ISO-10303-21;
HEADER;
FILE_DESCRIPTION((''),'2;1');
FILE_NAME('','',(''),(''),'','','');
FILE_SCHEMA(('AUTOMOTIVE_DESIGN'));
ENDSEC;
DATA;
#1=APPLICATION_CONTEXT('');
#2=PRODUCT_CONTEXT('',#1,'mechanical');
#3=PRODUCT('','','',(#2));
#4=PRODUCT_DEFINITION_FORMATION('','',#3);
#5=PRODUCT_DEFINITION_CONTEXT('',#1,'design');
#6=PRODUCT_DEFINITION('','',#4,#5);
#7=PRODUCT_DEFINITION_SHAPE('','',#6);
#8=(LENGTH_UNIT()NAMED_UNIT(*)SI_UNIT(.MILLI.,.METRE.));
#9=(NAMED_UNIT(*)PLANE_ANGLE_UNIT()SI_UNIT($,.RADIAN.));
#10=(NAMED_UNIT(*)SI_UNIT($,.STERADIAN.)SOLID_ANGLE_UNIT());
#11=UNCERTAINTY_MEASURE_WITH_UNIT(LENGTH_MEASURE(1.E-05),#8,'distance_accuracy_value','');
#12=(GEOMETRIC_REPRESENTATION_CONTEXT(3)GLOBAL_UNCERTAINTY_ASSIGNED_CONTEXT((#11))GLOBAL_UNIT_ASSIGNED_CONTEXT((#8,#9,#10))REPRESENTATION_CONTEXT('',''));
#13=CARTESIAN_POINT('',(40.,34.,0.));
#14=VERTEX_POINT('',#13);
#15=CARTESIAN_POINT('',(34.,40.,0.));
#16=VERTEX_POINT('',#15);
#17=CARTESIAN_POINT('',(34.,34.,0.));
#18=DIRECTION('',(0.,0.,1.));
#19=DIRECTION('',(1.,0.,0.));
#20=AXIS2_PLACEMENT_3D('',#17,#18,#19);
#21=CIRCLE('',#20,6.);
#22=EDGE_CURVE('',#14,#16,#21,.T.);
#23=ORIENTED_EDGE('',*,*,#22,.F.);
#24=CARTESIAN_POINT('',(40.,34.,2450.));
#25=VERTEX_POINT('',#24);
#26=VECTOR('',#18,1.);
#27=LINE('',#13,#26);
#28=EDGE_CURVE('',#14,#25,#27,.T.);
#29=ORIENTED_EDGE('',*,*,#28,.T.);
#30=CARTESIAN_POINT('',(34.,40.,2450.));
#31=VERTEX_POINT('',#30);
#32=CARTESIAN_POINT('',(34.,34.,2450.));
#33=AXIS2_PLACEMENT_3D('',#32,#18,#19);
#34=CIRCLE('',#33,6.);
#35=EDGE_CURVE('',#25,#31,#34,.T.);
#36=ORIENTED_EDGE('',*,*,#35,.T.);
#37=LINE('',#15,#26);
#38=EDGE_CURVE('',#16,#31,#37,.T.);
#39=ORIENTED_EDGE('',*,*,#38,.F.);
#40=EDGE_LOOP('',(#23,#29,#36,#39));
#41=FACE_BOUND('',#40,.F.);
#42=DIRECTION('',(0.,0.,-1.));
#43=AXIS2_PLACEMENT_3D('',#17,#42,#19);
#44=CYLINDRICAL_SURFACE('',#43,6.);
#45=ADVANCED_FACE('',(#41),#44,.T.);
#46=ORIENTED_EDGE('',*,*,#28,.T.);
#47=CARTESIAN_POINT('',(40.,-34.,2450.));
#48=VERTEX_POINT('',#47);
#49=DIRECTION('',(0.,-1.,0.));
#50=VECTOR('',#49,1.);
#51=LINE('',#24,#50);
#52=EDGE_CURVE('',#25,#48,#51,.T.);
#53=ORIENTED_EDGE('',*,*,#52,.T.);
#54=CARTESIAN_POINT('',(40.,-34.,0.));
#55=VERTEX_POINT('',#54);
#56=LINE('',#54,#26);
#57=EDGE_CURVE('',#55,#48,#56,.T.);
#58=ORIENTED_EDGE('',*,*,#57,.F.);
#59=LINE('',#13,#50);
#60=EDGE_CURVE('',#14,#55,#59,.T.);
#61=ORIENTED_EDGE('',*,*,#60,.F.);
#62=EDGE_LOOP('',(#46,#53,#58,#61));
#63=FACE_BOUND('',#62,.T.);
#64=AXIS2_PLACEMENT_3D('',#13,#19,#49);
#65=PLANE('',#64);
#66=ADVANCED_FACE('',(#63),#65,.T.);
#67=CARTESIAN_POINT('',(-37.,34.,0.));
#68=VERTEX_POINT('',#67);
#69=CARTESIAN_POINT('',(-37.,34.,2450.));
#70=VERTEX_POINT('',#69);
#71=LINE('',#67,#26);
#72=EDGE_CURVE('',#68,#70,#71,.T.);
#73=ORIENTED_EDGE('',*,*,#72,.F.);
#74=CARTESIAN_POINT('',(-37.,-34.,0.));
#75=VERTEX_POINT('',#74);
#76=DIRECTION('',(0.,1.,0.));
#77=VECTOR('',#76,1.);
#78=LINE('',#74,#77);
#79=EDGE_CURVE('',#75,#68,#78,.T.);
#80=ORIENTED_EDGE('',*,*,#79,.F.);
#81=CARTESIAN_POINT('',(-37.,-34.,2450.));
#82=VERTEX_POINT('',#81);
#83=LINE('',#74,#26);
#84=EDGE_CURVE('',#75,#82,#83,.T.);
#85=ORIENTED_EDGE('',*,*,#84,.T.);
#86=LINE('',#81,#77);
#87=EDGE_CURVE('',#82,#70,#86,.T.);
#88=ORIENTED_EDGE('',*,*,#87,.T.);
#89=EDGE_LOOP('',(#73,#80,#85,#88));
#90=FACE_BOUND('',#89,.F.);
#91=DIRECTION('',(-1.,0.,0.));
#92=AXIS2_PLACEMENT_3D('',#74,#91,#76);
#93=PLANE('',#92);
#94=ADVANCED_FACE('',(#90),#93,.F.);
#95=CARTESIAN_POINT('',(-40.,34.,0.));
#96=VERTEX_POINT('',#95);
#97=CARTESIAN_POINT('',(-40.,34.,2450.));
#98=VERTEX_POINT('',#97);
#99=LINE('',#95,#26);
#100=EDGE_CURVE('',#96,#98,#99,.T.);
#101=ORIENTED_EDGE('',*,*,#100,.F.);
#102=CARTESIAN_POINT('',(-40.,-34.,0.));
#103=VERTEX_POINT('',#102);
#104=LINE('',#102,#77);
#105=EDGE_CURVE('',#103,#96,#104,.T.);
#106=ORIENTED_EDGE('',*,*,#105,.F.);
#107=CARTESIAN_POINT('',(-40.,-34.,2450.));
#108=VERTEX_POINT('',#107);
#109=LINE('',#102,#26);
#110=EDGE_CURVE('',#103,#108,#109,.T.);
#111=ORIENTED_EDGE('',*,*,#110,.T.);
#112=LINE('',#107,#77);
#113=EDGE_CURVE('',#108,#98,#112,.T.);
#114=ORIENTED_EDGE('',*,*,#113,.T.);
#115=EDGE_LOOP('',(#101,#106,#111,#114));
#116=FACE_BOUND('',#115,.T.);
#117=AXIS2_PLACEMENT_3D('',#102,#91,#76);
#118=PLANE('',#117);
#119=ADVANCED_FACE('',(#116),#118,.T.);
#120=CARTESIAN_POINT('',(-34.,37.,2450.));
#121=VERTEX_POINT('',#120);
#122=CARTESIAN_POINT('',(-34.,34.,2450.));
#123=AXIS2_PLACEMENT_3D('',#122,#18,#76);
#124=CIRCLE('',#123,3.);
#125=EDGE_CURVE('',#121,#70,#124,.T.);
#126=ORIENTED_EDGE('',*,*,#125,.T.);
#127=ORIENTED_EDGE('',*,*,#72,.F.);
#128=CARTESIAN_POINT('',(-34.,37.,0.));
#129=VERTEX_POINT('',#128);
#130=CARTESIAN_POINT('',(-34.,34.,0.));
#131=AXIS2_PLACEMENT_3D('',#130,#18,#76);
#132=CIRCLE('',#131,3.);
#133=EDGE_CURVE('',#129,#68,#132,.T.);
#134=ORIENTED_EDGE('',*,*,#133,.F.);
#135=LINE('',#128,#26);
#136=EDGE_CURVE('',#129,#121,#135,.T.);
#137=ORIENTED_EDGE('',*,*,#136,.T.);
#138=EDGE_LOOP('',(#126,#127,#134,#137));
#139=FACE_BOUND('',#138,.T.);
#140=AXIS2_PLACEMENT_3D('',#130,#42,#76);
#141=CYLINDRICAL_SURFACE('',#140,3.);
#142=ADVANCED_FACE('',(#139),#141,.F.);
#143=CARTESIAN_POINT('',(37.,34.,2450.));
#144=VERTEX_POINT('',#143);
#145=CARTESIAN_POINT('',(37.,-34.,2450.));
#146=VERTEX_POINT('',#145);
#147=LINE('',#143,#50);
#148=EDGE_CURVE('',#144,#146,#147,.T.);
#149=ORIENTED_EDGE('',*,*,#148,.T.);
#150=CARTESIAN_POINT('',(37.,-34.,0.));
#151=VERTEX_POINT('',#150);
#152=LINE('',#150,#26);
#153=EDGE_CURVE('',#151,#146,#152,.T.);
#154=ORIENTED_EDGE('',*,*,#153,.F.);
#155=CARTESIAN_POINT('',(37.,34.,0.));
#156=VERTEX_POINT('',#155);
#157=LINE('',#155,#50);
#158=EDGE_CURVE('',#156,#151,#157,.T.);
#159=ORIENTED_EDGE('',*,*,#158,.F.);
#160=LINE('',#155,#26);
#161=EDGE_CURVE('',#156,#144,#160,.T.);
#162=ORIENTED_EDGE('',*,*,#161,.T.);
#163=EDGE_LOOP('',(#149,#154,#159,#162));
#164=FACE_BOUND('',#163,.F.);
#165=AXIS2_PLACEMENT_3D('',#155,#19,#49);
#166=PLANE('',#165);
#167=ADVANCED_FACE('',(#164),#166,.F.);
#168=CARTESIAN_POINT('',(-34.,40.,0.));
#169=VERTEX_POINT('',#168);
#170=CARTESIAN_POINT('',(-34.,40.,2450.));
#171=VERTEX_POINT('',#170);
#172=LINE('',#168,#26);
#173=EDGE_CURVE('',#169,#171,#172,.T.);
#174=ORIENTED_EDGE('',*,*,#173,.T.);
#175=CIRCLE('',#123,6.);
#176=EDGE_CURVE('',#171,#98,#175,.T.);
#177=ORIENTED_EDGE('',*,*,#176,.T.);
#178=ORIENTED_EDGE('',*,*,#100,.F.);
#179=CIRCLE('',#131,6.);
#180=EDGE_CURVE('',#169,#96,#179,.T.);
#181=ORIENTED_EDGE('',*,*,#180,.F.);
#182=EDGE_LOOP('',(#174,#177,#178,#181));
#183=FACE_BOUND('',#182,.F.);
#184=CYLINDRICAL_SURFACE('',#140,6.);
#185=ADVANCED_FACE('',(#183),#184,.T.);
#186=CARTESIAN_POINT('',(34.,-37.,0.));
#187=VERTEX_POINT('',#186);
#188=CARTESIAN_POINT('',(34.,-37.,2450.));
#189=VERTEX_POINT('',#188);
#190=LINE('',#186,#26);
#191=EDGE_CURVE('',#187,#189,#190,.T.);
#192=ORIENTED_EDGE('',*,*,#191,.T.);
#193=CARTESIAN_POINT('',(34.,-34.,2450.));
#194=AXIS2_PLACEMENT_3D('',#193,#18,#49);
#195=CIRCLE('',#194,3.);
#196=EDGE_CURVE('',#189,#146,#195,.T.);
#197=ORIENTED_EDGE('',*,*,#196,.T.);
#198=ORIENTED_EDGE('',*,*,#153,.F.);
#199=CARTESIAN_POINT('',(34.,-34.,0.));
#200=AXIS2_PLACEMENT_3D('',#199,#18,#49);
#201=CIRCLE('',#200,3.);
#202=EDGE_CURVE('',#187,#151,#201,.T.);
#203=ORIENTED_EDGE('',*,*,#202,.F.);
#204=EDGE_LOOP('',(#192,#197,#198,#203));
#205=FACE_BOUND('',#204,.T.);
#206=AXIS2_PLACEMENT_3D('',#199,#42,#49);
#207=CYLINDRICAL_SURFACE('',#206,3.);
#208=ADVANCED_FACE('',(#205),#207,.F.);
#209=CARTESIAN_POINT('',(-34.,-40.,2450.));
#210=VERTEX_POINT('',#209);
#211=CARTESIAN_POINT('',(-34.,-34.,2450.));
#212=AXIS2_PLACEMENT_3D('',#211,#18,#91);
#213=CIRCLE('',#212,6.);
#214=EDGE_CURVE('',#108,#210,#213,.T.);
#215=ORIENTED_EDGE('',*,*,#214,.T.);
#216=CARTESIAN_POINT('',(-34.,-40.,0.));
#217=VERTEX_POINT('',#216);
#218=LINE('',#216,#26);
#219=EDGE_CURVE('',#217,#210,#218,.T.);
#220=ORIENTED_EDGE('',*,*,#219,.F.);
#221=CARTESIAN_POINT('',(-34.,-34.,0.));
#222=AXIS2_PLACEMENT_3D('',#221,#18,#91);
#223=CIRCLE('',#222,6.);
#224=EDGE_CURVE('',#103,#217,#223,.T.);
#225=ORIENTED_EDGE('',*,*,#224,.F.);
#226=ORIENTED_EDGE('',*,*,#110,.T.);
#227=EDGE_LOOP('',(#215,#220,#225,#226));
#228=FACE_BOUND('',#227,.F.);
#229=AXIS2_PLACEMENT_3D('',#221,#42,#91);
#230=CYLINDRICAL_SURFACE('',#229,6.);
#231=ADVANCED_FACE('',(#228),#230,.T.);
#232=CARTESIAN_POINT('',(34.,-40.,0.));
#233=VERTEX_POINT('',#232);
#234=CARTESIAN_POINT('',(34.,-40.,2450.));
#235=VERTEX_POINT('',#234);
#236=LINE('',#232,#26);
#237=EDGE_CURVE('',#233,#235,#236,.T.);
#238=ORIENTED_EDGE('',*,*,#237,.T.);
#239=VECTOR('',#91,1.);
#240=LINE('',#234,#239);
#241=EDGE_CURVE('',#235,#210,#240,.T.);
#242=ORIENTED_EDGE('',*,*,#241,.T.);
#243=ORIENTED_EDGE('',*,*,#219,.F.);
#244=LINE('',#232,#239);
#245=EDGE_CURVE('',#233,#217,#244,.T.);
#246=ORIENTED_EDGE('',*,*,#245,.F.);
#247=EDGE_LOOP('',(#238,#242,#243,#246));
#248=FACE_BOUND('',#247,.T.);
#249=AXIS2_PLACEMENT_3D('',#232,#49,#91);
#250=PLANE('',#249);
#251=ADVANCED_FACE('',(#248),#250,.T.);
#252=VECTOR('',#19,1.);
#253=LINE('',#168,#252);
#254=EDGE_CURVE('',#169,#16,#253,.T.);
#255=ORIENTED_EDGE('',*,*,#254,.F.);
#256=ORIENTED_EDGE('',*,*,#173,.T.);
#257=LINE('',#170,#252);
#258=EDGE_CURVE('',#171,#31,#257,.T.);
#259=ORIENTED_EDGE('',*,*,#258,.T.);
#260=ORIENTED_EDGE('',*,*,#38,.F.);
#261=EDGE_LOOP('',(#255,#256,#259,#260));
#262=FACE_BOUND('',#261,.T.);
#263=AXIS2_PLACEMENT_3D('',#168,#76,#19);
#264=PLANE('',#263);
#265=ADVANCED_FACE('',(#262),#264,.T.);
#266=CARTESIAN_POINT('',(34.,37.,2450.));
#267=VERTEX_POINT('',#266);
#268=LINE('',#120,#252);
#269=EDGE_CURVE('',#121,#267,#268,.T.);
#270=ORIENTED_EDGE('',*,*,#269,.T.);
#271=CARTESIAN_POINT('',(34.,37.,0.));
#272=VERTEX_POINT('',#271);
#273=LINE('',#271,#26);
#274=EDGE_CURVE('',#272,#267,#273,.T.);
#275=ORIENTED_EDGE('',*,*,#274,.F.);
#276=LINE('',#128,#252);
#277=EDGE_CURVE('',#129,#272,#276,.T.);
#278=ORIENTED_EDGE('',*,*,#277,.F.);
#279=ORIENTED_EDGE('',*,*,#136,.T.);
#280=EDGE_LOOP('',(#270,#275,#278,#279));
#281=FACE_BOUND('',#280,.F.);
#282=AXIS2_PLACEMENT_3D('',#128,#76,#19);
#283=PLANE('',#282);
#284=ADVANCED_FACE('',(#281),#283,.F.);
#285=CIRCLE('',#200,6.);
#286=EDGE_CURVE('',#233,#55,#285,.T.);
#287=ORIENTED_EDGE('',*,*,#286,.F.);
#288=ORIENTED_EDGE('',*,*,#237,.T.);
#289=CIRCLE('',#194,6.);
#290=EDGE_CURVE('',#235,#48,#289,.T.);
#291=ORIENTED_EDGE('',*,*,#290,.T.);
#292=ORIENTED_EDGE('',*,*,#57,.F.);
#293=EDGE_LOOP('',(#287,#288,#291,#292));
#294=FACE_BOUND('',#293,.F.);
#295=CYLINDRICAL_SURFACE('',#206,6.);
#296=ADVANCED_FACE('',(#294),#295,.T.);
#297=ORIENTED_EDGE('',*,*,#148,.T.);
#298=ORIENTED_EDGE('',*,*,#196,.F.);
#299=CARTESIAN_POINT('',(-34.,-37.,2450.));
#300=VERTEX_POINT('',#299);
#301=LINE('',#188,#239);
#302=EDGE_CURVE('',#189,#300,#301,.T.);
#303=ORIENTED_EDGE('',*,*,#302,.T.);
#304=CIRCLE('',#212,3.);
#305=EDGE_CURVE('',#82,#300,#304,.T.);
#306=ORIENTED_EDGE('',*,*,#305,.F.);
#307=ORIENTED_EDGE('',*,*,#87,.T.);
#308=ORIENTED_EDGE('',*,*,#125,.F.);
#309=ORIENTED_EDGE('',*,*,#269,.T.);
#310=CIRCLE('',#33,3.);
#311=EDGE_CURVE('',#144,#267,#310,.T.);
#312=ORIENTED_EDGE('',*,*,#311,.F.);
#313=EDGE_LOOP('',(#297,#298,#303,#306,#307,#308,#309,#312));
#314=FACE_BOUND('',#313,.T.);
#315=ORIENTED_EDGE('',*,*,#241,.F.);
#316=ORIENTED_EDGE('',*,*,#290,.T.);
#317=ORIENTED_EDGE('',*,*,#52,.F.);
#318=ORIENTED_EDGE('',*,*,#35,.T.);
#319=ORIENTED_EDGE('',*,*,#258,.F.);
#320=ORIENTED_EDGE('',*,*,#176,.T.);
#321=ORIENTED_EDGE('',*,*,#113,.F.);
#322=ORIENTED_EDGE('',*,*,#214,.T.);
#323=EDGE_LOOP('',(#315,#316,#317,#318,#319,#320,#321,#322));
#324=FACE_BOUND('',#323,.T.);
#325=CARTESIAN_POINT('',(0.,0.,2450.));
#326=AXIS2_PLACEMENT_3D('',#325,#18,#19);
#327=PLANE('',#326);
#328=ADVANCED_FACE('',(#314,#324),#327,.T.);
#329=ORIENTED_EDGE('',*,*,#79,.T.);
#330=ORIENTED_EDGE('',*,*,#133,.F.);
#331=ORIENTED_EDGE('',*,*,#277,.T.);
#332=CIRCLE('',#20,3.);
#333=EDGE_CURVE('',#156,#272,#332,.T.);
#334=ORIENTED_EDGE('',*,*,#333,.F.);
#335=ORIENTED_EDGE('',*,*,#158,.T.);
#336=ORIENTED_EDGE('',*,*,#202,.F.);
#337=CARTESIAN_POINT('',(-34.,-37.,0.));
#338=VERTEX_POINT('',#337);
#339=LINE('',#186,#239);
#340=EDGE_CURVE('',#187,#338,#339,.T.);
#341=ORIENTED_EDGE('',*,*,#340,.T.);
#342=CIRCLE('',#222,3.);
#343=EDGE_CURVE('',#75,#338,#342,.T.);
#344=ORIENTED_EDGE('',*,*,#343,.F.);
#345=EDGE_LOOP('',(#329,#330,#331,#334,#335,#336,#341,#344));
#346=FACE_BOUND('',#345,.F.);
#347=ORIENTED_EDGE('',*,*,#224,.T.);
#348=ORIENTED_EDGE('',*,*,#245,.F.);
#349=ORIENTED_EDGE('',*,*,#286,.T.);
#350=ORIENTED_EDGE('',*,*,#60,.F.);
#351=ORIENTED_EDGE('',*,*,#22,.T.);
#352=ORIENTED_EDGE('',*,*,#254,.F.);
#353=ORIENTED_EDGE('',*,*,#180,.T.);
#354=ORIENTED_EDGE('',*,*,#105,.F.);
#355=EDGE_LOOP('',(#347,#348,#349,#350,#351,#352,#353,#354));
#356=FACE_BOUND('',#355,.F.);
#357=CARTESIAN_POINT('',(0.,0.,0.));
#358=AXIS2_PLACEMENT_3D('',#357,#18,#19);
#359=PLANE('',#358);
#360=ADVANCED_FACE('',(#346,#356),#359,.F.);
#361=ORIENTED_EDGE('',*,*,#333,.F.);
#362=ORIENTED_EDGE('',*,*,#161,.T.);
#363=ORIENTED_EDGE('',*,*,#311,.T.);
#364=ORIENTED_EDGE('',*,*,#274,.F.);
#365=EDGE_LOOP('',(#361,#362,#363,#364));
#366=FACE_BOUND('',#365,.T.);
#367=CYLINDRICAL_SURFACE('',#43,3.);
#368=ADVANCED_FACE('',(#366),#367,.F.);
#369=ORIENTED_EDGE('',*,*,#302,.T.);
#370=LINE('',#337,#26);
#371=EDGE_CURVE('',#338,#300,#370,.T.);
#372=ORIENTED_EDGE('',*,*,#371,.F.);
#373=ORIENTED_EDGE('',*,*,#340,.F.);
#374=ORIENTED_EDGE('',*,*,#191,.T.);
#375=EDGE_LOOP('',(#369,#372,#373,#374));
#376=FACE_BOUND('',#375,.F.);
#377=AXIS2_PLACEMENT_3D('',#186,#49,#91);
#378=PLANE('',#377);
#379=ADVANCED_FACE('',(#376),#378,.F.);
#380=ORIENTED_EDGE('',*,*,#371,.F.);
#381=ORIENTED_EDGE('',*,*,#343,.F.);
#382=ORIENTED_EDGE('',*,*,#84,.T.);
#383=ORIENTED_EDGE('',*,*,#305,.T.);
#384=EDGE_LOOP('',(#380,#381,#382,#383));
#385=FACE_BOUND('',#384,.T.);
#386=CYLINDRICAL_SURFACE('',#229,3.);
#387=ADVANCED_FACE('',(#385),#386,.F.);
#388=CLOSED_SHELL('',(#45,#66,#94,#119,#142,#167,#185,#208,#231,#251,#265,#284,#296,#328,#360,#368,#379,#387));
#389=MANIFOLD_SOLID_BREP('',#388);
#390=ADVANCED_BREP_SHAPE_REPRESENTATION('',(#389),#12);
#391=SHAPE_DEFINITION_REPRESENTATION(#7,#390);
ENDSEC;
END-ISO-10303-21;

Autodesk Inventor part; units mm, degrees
ref_plane "YZ Plane" through (0, 0, 0) normal (1, 0, 0) x (0, 1, 0)
ref_plane "Start Plane" through (0, 0, 0) normal (0, 0, 1) x (1, 0, 0)
ref_plane "End Plane" through (0, 0, 2450) normal (0, 0, 1) x (1, 0, 0)
sketch "Sketch" plane through (0, 0, 0) normal (0, 0, 1) x (1, 0, 0)
  line L0 (-40, -34) -> (-40, 34)
  line L1 (-34, 40) -> (34, 40)
  line L2 (40, 34) -> (40, -34)
  line L3 (34, -40) -> (-34, -40)
  arc A0 (-40, -34) -> (-34, -40) centre (-34, -34) ccw
  arc A1 (40, 34) -> (34, 40) centre (34, 34) ccw
  arc A2 (-34, 40) -> (-40, 34) centre (-34, 34) ccw
  arc A3 (34, -40) -> (40, -34) centre (34, -34) ccw
  arc A4 (-34, 37) -> (-37, 34) centre (-34, 34) ccw
  line L4 (-34, 37) -> (34, 37)
  arc A5 (37, 34) -> (34, 37) centre (34, 34) ccw
  line L5 (37, 34) -> (37, -34)
  arc A6 (34, -37) -> (37, -34) centre (34, -34) ccw
  line L6 (34, -37) -> (-34, -37)
  arc A7 (-37, -34) -> (-34, -37) centre (-34, -34) ccw
  line L7 (-37, -34) -> (-37, 34)
  line L8 (0, 57.7397) -> (0, -57.7397) construction
  line L9 (-57.7397, 0) -> (57.7397, 0) construction
  dimension "d7" = 6
  dimension "d9" = 80
  dimension "d11" = 80
  dimension "d12" = 3
  dimension "d15" = 40
  dimension "d16" = 40
extrude "Body" add sketch "Sketch" along normal up to surface (2450 mm away) from surface at 0
sketch "Sketch3" plane through (0, 0, 0) normal (0, 0, 1) x (1, 0, 0)
  line L0 (0, 0) -> (10, 0)
ref_plane "Work Plane3" through (0, 0, 0) normal (0, -1, 0) x (1, 0, 0)
sketch "Sketch4" plane through (0, 0, 0) normal (0, -1, 0) x (1, 0, 0)
  line L0 (-2, 0) -> (12, 0) projected
  line L1 (-2, 2450) -> (12, 2450) projected
  dimension "d18" = 2450
equation "\"d7\" = G_IR"
equation "\"d9\" = G_W"
equation "\"d11\" = G_H"
equation "\"d12\" = G_T"
equation "\"d15\" = 0.5 * d9"
equation "\"d16\" = 0.5 * d11"
equation "\"d3\" = G_L"
equation "\"G_W\" = 80"
equation "\"G_H\" = 80"
equation "\"G_T\" = 3"
equation "\"G_IR\" = 6"
equation "\"G_L\" = d18"
equation "\"G_OFFSET_START\" = 0"
equation "\"G_OFFSET_END\" = 0"
properties part number "ISO 10799-2 - 80x80x3 - 2450" material "Steel, Mild"
